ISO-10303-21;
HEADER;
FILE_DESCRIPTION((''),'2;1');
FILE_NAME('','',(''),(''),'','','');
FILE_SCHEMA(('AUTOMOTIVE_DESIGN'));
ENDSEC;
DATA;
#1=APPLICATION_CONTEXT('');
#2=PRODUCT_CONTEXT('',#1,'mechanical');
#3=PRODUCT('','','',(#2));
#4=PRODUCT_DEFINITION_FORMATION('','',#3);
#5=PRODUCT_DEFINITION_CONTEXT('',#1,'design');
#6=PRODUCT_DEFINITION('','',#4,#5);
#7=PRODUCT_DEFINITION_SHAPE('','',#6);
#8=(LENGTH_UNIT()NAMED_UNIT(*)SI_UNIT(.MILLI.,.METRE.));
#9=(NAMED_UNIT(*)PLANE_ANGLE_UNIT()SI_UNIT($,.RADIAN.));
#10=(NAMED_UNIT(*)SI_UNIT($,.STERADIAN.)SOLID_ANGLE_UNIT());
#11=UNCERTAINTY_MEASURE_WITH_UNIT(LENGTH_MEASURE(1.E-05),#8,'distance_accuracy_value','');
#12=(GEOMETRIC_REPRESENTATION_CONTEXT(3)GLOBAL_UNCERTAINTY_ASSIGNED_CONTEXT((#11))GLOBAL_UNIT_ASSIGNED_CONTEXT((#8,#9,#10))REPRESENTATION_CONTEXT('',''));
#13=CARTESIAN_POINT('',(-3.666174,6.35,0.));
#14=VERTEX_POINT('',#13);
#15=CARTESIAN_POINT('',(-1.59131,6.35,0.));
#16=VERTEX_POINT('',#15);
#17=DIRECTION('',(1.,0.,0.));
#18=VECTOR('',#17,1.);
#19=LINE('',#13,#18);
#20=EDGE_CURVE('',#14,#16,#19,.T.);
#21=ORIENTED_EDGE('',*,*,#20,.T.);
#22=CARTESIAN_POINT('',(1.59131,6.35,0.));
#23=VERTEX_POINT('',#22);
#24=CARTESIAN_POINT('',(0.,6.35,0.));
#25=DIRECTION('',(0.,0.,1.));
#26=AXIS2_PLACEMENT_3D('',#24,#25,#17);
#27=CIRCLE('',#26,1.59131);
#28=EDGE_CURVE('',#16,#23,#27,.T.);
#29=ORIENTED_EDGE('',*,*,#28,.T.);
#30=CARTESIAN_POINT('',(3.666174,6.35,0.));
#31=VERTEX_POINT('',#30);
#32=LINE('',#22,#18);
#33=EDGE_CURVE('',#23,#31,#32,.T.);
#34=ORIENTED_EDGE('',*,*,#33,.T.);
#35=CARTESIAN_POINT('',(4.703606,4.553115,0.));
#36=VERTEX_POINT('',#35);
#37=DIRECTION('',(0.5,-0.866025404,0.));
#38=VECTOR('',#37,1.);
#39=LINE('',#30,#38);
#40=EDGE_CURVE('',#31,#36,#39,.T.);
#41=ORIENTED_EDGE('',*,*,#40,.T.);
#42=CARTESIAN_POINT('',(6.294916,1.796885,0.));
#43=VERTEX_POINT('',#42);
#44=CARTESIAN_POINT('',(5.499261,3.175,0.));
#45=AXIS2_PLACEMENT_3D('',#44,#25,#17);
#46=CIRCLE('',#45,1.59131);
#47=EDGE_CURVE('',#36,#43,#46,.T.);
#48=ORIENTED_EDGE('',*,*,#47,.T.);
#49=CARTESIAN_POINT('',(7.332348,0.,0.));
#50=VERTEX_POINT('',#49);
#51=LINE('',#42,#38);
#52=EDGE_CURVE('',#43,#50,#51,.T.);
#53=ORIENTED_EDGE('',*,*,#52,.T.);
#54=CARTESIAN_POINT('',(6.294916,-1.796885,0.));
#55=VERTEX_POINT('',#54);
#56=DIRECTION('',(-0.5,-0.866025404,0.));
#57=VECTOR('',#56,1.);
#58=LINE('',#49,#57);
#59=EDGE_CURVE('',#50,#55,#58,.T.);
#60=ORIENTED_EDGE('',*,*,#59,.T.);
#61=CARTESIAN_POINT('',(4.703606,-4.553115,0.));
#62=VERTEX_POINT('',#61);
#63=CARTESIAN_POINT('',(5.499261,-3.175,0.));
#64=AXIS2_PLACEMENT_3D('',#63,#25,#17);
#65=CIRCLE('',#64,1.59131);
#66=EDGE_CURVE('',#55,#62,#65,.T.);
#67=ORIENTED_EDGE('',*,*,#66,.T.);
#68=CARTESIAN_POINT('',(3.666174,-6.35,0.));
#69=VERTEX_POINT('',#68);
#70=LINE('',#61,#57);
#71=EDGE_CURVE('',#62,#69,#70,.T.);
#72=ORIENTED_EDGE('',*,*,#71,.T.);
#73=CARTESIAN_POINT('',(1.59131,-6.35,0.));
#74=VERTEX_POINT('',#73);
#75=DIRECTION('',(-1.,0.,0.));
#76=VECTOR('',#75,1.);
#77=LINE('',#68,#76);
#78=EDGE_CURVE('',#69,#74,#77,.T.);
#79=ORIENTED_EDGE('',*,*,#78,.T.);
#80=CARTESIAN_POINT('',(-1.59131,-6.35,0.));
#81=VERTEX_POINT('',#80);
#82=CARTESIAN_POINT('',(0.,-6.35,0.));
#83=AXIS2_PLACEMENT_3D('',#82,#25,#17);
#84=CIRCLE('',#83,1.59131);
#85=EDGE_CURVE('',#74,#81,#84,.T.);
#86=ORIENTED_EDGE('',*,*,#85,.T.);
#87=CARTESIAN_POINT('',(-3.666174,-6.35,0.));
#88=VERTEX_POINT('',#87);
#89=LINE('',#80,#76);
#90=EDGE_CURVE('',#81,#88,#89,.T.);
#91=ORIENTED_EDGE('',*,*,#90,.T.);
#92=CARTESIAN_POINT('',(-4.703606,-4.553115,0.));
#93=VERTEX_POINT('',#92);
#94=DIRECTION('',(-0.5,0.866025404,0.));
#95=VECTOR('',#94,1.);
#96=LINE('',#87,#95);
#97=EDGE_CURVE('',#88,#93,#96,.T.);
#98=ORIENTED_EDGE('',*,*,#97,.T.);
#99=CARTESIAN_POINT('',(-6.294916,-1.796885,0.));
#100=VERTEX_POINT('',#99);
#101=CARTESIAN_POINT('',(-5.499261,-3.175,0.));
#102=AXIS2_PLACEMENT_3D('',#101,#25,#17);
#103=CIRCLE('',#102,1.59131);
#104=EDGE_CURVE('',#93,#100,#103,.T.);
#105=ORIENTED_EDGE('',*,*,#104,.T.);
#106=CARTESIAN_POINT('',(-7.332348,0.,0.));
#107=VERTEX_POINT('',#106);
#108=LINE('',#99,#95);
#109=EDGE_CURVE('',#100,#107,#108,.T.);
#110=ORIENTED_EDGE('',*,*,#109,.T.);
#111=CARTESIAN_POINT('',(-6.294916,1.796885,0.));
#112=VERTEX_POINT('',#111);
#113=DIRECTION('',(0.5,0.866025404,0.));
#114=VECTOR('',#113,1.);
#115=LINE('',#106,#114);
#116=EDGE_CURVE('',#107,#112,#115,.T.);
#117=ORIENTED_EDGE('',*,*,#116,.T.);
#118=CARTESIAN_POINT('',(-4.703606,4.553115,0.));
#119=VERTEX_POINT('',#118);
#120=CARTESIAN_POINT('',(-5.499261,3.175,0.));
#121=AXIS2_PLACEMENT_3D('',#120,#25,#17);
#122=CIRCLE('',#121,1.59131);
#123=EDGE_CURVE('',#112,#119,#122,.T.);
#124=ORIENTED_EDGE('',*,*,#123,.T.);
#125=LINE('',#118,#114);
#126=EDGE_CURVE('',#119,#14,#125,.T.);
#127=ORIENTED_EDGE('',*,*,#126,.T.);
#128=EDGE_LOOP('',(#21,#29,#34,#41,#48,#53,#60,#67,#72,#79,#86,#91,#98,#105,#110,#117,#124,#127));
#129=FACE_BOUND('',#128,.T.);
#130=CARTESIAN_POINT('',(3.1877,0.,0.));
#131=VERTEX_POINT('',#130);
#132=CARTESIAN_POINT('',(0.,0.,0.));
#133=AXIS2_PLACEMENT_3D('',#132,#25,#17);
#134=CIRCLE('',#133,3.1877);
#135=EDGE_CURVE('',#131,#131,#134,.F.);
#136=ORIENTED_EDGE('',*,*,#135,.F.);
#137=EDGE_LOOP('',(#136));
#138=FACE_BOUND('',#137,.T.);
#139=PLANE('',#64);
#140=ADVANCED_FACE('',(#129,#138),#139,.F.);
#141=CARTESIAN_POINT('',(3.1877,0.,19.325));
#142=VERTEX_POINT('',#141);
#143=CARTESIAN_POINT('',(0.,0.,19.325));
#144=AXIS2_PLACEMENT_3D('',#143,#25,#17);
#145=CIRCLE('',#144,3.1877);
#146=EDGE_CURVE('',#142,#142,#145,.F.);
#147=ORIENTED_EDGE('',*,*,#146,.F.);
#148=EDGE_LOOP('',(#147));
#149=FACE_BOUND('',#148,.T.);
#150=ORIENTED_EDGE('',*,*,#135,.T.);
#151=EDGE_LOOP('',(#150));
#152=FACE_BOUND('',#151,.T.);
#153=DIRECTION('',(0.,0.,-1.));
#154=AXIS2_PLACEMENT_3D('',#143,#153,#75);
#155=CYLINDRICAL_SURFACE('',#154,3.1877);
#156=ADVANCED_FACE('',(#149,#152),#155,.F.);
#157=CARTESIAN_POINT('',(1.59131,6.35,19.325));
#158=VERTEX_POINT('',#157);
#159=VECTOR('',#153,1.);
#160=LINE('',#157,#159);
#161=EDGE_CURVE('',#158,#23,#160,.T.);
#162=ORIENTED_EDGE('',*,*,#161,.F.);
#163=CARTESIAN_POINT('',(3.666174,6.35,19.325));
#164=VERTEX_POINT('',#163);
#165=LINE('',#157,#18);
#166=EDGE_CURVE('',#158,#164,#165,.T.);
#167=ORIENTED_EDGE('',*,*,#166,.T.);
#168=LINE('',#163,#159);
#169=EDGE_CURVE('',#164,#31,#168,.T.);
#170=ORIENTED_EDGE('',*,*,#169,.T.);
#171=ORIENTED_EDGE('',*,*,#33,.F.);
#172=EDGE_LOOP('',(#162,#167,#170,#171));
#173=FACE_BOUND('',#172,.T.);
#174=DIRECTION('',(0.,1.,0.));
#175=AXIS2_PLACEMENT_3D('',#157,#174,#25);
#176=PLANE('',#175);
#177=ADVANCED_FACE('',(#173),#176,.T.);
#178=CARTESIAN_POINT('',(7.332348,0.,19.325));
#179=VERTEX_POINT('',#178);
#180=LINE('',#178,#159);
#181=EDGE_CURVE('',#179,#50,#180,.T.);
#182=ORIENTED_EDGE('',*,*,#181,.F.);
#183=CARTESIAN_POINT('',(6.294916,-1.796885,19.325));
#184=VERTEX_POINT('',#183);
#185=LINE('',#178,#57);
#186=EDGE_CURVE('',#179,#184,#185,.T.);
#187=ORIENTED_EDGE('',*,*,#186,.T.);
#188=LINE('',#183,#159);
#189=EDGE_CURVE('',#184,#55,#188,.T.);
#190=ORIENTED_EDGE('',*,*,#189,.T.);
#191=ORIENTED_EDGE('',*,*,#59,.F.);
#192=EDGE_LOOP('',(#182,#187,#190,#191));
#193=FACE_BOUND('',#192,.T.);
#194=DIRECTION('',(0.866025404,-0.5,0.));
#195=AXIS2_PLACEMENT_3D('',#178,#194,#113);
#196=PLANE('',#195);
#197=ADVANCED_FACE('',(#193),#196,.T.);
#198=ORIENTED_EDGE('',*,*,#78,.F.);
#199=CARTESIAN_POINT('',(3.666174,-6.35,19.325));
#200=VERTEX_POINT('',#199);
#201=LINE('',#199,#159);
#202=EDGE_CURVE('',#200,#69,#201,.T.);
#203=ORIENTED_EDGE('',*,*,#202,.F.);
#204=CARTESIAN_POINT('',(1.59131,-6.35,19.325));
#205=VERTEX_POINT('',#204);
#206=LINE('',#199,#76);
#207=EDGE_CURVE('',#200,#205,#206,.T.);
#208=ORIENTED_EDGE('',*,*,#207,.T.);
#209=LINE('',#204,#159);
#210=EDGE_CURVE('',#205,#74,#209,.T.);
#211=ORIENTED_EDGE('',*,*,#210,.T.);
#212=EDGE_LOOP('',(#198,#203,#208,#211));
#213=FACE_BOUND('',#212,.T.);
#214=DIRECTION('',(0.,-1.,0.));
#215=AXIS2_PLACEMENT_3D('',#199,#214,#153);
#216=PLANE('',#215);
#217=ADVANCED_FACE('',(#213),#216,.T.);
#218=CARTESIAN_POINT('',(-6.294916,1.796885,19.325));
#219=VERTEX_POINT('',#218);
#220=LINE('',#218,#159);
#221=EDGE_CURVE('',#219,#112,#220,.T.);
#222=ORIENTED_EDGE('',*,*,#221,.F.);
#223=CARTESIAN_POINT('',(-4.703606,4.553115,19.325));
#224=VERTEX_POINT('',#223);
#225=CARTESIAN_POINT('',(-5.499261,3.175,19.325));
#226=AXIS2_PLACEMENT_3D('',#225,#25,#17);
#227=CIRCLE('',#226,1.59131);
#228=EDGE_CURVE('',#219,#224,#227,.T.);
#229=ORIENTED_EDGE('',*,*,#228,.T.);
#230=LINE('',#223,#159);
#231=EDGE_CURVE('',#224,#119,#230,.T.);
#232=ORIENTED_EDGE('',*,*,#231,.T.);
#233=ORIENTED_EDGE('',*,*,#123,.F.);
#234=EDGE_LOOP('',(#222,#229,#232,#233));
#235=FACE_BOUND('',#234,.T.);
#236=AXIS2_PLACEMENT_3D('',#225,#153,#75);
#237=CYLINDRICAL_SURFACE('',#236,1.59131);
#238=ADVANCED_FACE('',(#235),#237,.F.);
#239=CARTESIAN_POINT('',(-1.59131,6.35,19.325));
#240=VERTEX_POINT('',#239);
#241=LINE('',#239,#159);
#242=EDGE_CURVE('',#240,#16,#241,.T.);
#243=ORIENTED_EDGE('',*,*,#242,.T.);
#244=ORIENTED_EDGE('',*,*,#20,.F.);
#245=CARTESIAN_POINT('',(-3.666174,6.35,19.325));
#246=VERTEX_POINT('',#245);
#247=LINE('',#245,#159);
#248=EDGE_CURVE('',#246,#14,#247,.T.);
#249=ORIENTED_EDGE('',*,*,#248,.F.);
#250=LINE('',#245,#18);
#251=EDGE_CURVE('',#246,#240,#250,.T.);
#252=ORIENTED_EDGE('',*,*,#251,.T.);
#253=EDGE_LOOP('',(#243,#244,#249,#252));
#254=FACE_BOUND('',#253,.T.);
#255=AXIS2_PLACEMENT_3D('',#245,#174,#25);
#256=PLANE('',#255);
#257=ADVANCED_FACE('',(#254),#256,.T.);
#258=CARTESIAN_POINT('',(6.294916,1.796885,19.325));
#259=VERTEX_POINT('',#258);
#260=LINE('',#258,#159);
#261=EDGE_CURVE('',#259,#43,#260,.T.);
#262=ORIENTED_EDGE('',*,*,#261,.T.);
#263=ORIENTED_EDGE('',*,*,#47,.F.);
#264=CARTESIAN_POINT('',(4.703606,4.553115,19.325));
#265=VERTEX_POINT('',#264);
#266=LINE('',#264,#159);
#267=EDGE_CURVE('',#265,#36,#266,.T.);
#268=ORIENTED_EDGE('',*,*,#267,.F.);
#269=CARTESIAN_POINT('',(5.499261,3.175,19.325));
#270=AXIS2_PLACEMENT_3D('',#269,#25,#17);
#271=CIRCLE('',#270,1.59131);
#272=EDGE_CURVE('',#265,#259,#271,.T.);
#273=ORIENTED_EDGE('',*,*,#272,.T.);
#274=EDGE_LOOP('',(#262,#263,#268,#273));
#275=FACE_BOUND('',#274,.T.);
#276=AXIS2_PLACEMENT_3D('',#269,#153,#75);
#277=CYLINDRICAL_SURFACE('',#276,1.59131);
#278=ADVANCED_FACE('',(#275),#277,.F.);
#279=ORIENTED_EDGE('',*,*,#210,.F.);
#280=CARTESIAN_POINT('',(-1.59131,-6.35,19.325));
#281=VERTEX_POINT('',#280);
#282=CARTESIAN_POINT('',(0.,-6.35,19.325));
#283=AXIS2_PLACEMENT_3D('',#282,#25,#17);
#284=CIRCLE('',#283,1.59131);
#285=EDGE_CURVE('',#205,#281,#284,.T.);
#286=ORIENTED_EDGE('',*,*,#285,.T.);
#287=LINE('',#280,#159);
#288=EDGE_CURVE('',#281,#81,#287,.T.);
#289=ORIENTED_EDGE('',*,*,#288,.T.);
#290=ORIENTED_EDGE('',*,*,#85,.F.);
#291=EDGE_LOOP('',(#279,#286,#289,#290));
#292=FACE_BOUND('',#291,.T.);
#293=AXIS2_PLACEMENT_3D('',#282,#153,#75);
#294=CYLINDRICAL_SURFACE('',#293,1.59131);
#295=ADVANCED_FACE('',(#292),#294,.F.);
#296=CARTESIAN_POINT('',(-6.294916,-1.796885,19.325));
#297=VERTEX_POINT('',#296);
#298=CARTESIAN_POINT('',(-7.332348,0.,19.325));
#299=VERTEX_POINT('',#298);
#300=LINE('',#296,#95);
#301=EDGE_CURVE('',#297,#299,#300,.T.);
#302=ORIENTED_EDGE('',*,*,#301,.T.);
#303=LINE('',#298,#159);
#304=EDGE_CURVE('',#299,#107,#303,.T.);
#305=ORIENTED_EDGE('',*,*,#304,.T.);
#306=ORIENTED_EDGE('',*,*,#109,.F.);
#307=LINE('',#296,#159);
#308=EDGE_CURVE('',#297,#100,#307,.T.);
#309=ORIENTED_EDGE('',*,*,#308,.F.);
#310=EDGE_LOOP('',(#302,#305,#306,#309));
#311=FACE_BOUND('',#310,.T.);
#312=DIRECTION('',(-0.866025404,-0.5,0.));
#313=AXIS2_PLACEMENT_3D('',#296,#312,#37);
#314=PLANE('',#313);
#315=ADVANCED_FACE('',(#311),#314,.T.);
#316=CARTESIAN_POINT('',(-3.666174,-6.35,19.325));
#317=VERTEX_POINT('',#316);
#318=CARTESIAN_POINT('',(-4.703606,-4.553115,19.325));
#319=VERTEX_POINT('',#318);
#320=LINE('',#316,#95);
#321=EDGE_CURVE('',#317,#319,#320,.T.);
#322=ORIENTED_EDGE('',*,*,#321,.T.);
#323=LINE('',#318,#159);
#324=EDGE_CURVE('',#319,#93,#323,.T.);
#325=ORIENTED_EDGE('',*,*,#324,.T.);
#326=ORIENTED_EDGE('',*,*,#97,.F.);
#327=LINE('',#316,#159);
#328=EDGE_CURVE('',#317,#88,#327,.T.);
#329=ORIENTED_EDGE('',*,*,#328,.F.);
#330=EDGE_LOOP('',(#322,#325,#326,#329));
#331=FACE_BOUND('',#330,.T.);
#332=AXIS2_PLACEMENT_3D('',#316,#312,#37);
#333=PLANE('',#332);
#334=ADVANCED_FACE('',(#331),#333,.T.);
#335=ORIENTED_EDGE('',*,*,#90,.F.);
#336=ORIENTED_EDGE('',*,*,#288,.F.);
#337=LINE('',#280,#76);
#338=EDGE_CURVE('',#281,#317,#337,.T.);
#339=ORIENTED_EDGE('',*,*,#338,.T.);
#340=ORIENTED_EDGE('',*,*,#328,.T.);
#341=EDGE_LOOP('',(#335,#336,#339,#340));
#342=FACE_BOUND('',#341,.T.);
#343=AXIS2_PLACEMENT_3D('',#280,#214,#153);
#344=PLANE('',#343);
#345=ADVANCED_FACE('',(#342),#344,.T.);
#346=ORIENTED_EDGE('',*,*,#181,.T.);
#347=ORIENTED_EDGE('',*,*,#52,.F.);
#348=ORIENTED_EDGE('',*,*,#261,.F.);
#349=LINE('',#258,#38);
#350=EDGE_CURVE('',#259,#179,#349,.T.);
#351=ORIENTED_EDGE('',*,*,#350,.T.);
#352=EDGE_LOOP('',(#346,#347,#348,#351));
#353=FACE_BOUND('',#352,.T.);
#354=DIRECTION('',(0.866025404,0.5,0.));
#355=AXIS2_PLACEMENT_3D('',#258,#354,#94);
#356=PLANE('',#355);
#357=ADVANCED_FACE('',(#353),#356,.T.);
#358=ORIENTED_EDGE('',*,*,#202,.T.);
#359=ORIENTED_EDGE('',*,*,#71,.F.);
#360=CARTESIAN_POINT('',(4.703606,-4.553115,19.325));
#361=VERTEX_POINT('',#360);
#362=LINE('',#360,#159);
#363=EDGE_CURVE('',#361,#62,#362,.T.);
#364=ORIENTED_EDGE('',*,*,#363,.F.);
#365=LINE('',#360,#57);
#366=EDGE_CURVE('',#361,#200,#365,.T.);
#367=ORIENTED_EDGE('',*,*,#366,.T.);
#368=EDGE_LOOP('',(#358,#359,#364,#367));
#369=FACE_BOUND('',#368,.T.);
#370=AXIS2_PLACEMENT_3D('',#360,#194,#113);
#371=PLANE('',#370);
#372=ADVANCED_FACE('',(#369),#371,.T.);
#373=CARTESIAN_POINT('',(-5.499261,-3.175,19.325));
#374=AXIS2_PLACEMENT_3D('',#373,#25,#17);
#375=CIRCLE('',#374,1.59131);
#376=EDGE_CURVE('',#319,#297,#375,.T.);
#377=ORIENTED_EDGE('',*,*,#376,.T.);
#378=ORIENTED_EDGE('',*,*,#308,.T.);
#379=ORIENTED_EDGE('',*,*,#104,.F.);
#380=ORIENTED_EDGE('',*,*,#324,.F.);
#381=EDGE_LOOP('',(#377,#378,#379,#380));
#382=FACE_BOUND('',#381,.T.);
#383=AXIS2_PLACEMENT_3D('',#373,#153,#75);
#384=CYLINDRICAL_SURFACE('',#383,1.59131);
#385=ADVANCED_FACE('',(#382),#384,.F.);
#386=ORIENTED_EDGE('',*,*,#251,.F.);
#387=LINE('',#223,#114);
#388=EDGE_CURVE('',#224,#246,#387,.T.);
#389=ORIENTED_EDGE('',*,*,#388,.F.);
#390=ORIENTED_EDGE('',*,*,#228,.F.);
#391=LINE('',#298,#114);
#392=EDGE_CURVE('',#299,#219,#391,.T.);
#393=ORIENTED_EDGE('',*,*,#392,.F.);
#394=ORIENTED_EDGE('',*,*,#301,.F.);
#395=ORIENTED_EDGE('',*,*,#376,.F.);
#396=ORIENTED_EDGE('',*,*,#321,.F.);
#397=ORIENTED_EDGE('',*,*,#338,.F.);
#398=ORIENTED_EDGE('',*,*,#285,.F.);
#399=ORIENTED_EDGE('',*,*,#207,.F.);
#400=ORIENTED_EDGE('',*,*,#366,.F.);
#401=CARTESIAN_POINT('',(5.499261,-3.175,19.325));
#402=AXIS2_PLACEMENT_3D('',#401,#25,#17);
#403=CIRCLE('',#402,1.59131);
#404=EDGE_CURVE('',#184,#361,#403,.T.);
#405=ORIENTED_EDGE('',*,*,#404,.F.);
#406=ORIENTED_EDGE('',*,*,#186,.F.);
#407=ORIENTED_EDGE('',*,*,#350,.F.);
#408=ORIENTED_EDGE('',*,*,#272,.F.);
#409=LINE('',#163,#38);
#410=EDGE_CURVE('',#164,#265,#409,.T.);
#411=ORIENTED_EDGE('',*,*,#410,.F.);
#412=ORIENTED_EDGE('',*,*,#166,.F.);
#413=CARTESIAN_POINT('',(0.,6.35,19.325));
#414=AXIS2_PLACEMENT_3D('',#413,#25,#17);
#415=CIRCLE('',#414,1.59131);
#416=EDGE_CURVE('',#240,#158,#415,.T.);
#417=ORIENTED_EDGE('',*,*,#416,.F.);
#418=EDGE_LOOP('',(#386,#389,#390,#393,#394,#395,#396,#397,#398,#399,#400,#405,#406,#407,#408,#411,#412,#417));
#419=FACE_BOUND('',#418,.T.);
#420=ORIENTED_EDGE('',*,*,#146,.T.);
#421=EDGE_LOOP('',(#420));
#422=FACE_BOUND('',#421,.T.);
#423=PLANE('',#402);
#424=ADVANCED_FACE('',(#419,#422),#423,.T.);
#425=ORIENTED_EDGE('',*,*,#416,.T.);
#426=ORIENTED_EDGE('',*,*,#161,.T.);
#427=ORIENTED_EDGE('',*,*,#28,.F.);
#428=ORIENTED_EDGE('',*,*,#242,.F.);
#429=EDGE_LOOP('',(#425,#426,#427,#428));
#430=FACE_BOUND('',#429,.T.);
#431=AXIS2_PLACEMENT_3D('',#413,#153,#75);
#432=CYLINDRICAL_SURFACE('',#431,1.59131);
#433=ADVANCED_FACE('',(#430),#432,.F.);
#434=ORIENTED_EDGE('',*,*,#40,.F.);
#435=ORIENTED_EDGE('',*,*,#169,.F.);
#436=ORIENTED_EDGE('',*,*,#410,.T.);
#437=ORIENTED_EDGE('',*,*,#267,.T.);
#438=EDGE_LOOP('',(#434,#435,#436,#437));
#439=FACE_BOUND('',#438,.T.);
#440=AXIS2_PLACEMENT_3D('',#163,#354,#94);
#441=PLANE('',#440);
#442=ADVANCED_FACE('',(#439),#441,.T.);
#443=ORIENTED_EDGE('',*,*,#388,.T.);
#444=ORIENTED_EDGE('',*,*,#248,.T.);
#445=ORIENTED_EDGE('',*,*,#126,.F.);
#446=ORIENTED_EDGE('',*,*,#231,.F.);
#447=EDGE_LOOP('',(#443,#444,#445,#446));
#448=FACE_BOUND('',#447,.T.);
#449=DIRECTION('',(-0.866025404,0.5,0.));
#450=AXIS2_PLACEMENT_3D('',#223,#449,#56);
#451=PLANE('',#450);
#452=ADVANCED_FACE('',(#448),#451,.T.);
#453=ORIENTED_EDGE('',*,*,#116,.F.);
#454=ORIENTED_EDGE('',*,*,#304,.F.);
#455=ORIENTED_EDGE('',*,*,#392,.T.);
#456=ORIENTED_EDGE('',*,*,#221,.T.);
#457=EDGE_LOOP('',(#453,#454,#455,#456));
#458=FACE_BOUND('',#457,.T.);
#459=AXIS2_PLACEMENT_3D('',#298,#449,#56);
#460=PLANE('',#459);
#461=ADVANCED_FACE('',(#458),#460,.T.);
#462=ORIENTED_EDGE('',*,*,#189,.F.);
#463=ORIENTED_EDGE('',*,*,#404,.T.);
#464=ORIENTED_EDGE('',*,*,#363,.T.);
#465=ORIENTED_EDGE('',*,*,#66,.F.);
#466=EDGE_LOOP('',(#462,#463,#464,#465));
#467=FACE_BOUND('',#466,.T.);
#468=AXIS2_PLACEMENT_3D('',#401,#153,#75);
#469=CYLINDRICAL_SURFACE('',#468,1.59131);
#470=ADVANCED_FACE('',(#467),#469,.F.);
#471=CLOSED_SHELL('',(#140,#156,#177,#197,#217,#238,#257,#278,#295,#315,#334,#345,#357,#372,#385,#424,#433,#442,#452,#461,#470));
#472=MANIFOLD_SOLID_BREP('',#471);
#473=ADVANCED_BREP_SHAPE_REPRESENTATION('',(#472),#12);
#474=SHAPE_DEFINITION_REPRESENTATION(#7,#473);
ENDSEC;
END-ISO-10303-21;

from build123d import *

# Parameters (mm, degrees)
SKETCH1_R           = 2.9337
BOSS_EXTRUDE1_DEPTH = 19.325
MOVE_FACE1_BY       = 0.254


with BuildPart() as part:
    # Sketch1 → Boss-Extrude1 (new body)
    with BuildSketch(Plane(origin=(0, 0, 0), x_dir=(-1, 0, 0), z_dir=(0, 0, -1))):
        with BuildLine():
            Line((-4.703606334, -4.55311485), (-3.666174209, -6.35))
            Line((-3.666174209, -6.35), (-1.591309959, -6.35))
            ThreePointArc((-1.591309959, -6.35), (0, -4.758690041), (1.591309959, -6.35))
            Line((1.591309959, -6.35), (3.666174209, -6.35))
            Line((3.666174209, -6.35), (4.703606334, -4.55311485))
            ThreePointArc((4.703606334, -4.55311485), (4.121146464, -2.37934502), (6.294916294, -1.79688515))
            Line((6.294916294, -1.79688515), (7.332348419, 0))
            Line((7.332348419, 0), (6.294916294, 1.79688515))
            ThreePointArc((6.294916294, 1.79688515), (4.121146464, 2.37934502), (4.703606334, 4.55311485))
            Line((4.703606334, 4.55311485), (3.666174209, 6.35))
            Line((3.666174209, 6.35), (1.591309959, 6.35))
            ThreePointArc((1.591309959, 6.35), (0, 4.758690041), (-1.591309959, 6.35))
            Line((-1.591309959, 6.35), (-3.666174209, 6.35))
            Line((-3.666174209, 6.35), (-4.703606334, 4.55311485))
            ThreePointArc((-4.703606334, 4.55311485), (-4.121146464, 2.37934502), (-6.294916294, 1.79688515))
            Line((-6.294916294, 1.79688515), (-7.332348419, 0))
            Line((-7.332348419, 0), (-6.294916294, -1.79688515))
            ThreePointArc((-6.294916294, -1.79688515), (-4.121146464, -2.37934502), (-4.703606334, -4.55311485))
        make_face()
        with Locations(Location((0, 0, 0), (0, 0, 180))):
            Circle(SKETCH1_R, mode=Mode.SUBTRACT)
    extrude(amount=-BOSS_EXTRUDE1_DEPTH)

    # Move Face1: a curved face moved inward by 0.254
    add(Solid.thicken(part.faces().sort_by_distance((-2.9337, 0, 9.6625))[0], -MOVE_FACE1_BY), mode=Mode.SUBTRACT)


solid = part.part
